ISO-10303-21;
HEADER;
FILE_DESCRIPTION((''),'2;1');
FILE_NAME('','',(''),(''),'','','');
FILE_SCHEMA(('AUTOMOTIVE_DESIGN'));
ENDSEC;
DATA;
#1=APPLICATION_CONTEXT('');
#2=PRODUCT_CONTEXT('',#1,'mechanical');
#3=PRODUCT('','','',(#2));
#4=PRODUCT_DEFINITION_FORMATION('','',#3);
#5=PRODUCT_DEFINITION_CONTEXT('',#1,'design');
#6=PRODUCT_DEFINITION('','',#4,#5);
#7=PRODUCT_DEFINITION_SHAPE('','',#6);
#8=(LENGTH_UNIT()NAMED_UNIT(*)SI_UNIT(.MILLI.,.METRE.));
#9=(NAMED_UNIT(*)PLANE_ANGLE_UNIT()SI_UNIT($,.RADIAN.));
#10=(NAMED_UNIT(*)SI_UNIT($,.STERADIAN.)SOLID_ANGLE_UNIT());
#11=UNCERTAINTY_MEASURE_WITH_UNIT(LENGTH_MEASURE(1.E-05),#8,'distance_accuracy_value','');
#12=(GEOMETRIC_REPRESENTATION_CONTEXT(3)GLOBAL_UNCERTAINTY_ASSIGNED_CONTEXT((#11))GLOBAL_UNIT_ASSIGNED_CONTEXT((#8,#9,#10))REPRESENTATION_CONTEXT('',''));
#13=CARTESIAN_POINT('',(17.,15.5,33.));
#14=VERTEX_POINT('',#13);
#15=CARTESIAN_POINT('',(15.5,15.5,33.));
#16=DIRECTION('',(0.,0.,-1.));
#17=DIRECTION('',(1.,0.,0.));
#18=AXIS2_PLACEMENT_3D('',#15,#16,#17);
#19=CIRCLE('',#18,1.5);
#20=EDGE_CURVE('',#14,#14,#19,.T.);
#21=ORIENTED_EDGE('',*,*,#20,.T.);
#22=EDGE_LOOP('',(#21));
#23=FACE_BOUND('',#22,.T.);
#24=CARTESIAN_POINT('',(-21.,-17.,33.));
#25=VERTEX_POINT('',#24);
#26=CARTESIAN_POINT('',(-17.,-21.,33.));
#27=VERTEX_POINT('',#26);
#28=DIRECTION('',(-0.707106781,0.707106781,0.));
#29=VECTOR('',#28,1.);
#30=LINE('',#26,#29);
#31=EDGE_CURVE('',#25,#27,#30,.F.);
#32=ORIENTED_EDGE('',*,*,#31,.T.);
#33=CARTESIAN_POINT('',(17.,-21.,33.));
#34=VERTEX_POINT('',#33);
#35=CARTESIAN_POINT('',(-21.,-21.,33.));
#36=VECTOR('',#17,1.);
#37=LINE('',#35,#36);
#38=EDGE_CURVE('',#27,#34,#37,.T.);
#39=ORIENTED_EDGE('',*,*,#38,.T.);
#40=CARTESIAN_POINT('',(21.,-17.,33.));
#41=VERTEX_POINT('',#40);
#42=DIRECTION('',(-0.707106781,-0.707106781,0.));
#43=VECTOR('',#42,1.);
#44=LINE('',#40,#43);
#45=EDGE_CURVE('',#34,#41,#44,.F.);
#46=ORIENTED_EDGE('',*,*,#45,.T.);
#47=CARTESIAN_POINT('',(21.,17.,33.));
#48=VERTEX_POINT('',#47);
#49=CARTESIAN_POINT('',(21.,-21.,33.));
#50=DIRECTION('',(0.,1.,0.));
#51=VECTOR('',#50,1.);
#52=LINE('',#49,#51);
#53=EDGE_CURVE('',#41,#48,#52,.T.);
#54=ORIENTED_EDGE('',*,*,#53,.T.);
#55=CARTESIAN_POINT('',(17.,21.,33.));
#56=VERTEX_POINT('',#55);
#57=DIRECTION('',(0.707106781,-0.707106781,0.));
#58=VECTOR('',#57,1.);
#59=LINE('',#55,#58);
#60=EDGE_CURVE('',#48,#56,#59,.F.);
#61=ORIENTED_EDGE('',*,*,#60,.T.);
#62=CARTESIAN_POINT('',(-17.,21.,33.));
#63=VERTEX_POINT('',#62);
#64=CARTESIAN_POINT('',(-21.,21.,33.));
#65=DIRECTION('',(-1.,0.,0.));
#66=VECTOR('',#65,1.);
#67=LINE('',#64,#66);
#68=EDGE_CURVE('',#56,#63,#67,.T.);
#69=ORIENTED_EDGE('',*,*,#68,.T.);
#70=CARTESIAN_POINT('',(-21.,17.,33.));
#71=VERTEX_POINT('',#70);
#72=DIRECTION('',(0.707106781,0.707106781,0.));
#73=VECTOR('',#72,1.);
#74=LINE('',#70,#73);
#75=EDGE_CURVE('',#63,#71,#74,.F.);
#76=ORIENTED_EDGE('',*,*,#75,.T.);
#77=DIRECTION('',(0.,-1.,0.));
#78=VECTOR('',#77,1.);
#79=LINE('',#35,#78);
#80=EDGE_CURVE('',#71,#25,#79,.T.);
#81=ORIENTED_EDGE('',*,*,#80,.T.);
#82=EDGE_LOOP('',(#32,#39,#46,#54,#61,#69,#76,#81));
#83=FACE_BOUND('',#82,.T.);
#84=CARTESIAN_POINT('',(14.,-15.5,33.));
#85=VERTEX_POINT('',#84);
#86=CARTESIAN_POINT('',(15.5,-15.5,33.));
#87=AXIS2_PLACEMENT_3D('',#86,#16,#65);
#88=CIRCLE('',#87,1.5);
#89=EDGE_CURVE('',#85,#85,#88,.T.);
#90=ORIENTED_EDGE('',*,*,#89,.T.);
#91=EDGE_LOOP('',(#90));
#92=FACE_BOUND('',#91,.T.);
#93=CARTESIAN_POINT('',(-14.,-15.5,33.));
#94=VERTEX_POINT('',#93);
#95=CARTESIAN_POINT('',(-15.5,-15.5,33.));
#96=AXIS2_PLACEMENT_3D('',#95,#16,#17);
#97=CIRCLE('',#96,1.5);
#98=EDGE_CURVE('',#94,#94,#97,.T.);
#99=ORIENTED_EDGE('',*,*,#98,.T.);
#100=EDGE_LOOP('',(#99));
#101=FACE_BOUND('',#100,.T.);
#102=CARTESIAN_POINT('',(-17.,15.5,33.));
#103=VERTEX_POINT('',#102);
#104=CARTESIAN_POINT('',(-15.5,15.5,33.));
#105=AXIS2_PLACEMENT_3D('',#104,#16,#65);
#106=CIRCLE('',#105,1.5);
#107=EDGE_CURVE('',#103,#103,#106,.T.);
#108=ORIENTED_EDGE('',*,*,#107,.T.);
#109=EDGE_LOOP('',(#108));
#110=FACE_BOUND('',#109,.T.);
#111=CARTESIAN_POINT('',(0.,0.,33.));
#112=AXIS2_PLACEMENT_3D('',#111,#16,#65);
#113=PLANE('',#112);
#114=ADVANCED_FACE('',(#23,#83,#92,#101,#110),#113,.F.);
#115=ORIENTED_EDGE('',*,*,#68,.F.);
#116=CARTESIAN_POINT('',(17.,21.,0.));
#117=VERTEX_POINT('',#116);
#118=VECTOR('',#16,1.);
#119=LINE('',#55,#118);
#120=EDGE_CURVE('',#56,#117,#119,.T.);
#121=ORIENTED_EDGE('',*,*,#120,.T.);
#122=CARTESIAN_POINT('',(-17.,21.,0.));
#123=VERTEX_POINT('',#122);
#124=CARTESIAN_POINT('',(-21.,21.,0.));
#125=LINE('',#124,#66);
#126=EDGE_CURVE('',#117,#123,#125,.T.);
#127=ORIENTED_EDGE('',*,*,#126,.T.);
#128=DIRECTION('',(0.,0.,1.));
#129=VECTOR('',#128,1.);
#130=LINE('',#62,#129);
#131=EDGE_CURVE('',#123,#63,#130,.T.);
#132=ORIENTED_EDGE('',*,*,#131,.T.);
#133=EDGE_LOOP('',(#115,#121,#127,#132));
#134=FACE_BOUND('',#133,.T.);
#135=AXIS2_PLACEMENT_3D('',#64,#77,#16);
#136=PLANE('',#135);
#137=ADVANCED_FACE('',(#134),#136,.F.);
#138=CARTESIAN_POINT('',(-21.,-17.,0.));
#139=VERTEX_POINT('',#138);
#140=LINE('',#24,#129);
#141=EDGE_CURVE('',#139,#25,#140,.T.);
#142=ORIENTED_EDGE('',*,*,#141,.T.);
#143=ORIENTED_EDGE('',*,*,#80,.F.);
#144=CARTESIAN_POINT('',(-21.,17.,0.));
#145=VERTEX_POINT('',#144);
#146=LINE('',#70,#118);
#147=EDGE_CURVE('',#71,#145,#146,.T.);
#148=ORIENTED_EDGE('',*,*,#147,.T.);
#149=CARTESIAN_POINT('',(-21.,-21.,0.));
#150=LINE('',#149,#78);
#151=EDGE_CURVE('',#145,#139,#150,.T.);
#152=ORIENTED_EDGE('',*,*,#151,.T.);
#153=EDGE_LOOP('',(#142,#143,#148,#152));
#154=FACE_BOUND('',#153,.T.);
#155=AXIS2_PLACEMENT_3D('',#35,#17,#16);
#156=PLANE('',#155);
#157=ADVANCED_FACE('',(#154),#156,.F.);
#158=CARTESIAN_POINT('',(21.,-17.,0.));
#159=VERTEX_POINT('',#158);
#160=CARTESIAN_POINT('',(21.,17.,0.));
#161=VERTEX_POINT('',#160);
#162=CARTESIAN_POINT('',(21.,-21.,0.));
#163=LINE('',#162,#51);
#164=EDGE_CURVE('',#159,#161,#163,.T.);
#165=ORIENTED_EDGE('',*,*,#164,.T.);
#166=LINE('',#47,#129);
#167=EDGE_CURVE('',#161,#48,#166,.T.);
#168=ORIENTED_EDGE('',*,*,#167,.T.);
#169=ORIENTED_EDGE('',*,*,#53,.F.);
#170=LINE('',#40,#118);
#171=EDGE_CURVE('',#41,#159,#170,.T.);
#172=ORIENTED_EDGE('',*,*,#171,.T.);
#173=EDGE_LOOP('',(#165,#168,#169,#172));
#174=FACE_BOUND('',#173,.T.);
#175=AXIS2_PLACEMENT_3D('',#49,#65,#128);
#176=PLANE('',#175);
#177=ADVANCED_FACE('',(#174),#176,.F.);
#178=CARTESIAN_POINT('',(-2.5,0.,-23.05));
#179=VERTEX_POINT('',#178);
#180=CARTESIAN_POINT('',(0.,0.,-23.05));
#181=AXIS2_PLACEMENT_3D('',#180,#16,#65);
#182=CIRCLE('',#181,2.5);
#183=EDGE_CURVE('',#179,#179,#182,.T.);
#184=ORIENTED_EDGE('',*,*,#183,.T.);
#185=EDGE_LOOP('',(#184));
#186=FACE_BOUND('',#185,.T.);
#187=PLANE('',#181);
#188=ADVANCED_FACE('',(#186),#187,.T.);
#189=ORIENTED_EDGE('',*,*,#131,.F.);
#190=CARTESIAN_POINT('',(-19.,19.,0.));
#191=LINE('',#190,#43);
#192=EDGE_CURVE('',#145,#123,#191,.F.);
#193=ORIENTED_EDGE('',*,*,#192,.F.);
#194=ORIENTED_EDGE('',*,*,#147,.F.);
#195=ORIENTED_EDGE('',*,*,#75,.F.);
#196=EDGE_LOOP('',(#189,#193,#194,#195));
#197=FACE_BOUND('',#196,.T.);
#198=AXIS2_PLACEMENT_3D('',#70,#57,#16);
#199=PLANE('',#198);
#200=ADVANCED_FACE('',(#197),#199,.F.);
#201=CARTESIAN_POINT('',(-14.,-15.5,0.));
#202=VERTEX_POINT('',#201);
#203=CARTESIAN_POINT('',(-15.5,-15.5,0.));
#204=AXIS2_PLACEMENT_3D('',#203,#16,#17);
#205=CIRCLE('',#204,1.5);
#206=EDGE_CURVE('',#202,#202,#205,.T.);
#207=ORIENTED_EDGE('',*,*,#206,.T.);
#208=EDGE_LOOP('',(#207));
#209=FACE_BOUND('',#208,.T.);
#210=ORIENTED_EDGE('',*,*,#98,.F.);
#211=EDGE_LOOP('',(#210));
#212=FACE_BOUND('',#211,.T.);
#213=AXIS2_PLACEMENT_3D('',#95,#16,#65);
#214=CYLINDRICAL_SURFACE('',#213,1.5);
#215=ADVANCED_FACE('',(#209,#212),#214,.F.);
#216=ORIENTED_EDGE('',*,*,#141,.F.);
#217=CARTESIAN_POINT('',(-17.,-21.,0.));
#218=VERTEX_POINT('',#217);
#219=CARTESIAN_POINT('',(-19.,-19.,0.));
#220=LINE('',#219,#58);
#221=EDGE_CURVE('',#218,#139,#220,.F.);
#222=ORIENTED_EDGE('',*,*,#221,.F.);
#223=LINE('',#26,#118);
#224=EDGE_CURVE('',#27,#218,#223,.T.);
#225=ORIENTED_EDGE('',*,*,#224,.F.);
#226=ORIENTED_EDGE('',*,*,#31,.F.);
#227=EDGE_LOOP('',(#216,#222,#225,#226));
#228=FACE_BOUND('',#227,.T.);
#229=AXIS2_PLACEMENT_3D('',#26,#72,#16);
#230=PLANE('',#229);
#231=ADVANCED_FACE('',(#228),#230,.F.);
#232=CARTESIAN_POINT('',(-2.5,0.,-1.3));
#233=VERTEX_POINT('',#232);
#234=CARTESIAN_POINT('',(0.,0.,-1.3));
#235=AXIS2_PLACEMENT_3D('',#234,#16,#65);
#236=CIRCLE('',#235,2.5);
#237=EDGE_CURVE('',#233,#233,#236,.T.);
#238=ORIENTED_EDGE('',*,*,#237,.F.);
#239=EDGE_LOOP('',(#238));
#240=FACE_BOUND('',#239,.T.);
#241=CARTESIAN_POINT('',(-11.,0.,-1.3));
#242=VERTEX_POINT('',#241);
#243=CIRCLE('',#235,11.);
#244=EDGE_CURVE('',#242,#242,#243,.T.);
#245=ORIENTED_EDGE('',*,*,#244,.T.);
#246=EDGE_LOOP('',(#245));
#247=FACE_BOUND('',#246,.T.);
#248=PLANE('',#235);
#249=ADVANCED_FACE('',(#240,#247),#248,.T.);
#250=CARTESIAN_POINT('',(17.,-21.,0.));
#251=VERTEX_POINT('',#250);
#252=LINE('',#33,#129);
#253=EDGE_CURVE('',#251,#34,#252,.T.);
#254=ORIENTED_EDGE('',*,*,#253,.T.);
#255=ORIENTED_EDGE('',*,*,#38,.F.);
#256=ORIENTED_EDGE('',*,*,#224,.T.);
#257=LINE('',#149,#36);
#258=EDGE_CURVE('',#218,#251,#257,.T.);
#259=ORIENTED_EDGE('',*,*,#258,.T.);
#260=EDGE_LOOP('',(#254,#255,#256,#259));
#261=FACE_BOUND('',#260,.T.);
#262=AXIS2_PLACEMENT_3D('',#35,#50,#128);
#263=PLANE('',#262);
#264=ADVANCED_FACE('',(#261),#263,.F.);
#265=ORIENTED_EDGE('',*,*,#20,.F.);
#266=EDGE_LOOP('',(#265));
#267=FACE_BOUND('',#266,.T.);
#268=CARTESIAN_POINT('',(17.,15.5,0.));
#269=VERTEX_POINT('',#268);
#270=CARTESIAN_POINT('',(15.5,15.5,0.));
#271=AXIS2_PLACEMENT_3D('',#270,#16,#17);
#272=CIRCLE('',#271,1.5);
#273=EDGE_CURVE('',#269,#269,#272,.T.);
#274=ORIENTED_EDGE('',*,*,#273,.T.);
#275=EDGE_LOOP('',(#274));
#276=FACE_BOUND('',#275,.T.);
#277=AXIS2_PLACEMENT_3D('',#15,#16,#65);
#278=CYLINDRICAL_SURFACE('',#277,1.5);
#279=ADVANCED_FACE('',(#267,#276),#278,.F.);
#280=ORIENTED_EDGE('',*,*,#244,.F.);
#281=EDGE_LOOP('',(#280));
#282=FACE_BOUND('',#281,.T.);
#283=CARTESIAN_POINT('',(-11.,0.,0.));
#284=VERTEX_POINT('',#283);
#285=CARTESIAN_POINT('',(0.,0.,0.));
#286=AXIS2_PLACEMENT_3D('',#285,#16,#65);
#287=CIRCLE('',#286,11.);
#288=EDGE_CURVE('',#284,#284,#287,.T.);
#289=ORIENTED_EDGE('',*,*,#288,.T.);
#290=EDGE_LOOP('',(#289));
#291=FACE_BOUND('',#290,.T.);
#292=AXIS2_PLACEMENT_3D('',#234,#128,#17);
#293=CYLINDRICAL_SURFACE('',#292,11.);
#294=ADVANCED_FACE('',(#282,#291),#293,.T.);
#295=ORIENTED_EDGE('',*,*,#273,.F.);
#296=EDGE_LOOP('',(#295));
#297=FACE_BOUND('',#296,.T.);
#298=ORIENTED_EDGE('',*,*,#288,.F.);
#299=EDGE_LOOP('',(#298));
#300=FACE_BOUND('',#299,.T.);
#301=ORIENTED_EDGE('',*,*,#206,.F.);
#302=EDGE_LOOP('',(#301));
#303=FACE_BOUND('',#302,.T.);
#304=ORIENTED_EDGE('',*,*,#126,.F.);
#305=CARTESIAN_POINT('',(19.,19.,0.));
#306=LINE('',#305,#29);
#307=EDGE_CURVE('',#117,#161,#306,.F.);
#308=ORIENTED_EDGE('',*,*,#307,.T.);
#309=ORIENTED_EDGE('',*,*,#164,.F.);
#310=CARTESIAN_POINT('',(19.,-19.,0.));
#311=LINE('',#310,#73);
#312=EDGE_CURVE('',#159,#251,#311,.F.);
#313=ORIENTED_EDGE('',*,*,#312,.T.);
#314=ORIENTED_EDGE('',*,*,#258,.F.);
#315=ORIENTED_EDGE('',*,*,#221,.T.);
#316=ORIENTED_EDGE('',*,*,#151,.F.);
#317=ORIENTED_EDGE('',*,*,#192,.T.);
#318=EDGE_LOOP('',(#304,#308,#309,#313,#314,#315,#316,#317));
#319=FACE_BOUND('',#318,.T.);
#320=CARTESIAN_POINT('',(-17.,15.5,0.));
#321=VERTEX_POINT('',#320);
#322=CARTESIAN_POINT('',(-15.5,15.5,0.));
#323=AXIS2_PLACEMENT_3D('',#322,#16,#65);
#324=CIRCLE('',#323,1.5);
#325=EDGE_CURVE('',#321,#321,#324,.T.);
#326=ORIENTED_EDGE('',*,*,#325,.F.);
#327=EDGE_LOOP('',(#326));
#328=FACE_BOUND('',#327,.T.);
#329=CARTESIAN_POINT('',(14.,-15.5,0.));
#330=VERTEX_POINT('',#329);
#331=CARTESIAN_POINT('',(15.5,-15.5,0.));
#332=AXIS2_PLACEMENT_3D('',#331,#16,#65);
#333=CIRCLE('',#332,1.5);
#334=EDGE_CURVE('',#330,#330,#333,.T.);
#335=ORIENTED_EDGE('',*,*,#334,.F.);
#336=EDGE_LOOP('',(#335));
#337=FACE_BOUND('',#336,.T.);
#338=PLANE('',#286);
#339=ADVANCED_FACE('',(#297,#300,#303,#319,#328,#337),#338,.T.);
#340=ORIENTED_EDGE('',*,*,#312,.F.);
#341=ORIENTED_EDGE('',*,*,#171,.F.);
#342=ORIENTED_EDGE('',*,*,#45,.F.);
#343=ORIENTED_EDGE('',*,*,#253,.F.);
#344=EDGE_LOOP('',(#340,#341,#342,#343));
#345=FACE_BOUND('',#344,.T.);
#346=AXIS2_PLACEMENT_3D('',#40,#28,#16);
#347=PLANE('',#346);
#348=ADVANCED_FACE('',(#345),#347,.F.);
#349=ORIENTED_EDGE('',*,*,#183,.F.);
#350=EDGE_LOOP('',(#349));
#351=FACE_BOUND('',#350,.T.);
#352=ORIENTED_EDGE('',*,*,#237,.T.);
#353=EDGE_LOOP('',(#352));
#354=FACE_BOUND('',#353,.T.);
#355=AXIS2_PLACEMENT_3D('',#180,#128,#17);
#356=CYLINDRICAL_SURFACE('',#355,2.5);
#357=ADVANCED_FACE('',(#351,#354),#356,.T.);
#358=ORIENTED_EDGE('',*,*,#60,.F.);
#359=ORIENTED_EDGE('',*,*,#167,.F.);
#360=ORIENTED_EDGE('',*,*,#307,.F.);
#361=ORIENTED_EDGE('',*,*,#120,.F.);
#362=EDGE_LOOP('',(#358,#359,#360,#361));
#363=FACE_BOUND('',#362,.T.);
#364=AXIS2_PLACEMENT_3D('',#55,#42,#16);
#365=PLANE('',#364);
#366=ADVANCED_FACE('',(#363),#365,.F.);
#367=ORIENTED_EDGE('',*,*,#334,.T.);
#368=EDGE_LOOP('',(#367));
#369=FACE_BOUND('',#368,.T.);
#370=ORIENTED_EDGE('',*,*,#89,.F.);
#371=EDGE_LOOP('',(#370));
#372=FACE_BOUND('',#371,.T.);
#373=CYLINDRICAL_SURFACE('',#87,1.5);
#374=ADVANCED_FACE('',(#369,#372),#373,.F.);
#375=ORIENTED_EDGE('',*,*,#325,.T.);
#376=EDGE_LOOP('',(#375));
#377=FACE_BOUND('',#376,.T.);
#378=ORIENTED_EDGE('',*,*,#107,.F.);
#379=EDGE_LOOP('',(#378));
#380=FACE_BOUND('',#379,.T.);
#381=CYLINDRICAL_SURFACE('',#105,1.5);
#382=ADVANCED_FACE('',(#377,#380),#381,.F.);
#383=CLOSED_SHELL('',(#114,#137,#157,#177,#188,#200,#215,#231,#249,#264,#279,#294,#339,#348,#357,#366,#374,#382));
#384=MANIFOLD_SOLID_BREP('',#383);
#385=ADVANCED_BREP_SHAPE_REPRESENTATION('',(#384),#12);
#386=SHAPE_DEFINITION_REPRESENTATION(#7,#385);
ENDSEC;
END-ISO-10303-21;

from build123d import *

# Parameters (mm, degrees)
SZKIC1_W                    = 42
SZKIC1_H                    = 42
DODANIE_WYCI_GNI_CIE1_DEPTH = 33
SFAZOWANIE1_SIZE            = 4
SZKIC2_R                    = 11
DODANIE_WYCI_GNI_CIE2_DEPTH = 1.3
SZKIC3_R                    = 2.5
DODANIE_WYCI_GNI_CIE3_DEPTH = 21.75
SZKIC4_R                    = 1.5
WYTNIJ_WYCI_GNI_CIE1_DEPTH  = 34


with BuildPart() as part:
    # Szkic1 → Dodanie-wyciągnięcie1 (new body)
    with BuildSketch(Plane.XY):
        Rectangle(SZKIC1_W, SZKIC1_H)
    extrude(amount=DODANIE_WYCI_GNI_CIE1_DEPTH)

    # Sfazowanie1
    sfazowanie1_edges = [part.edges().sort_by_distance(p)[0] for p in [
        (21, -21, 16.5),
        (-21, -21, 16.5),
        (-21, 21, 16.5),
        (21, 21, 16.5),
    ]]
    chamfer(sfazowanie1_edges, length=SFAZOWANIE1_SIZE)

    # Szkic2 → Dodanie-wyciągnięcie2 (add)
    with BuildSketch(Plane(origin=(0, 0, 0), x_dir=(-1, 0, 0), z_dir=(0, 0, -1))):
        Circle(SZKIC2_R)
    extrude(amount=DODANIE_WYCI_GNI_CIE2_DEPTH)

    # Szkic3 → Dodanie-wyciągnięcie3 (add)
    with BuildSketch(Plane(origin=(0, 0, -1.3), x_dir=(-1, 0, 0), z_dir=(0, 0, -1))):
        Circle(SZKIC3_R)
    extrude(amount=DODANIE_WYCI_GNI_CIE3_DEPTH)

    # Szkic4 → Wytnij-wyciągnięcie1 (cut, through all)
    with BuildSketch(Plane(origin=(0, 0, 0), x_dir=(-1, 0, 0), z_dir=(0, 0, -1))):
        with Locations((15.5, 15.5)):
            Circle(SZKIC4_R)
        with Locations((-15.5, 15.5)):
            Circle(SZKIC4_R)
        with Locations((-15.5, -15.5)):
            Circle(SZKIC4_R)
        with Locations((15.5, -15.5)):
            Circle(SZKIC4_R)
    extrude(amount=-WYTNIJ_WYCI_GNI_CIE1_DEPTH, mode=Mode.SUBTRACT)


solid = part.part
